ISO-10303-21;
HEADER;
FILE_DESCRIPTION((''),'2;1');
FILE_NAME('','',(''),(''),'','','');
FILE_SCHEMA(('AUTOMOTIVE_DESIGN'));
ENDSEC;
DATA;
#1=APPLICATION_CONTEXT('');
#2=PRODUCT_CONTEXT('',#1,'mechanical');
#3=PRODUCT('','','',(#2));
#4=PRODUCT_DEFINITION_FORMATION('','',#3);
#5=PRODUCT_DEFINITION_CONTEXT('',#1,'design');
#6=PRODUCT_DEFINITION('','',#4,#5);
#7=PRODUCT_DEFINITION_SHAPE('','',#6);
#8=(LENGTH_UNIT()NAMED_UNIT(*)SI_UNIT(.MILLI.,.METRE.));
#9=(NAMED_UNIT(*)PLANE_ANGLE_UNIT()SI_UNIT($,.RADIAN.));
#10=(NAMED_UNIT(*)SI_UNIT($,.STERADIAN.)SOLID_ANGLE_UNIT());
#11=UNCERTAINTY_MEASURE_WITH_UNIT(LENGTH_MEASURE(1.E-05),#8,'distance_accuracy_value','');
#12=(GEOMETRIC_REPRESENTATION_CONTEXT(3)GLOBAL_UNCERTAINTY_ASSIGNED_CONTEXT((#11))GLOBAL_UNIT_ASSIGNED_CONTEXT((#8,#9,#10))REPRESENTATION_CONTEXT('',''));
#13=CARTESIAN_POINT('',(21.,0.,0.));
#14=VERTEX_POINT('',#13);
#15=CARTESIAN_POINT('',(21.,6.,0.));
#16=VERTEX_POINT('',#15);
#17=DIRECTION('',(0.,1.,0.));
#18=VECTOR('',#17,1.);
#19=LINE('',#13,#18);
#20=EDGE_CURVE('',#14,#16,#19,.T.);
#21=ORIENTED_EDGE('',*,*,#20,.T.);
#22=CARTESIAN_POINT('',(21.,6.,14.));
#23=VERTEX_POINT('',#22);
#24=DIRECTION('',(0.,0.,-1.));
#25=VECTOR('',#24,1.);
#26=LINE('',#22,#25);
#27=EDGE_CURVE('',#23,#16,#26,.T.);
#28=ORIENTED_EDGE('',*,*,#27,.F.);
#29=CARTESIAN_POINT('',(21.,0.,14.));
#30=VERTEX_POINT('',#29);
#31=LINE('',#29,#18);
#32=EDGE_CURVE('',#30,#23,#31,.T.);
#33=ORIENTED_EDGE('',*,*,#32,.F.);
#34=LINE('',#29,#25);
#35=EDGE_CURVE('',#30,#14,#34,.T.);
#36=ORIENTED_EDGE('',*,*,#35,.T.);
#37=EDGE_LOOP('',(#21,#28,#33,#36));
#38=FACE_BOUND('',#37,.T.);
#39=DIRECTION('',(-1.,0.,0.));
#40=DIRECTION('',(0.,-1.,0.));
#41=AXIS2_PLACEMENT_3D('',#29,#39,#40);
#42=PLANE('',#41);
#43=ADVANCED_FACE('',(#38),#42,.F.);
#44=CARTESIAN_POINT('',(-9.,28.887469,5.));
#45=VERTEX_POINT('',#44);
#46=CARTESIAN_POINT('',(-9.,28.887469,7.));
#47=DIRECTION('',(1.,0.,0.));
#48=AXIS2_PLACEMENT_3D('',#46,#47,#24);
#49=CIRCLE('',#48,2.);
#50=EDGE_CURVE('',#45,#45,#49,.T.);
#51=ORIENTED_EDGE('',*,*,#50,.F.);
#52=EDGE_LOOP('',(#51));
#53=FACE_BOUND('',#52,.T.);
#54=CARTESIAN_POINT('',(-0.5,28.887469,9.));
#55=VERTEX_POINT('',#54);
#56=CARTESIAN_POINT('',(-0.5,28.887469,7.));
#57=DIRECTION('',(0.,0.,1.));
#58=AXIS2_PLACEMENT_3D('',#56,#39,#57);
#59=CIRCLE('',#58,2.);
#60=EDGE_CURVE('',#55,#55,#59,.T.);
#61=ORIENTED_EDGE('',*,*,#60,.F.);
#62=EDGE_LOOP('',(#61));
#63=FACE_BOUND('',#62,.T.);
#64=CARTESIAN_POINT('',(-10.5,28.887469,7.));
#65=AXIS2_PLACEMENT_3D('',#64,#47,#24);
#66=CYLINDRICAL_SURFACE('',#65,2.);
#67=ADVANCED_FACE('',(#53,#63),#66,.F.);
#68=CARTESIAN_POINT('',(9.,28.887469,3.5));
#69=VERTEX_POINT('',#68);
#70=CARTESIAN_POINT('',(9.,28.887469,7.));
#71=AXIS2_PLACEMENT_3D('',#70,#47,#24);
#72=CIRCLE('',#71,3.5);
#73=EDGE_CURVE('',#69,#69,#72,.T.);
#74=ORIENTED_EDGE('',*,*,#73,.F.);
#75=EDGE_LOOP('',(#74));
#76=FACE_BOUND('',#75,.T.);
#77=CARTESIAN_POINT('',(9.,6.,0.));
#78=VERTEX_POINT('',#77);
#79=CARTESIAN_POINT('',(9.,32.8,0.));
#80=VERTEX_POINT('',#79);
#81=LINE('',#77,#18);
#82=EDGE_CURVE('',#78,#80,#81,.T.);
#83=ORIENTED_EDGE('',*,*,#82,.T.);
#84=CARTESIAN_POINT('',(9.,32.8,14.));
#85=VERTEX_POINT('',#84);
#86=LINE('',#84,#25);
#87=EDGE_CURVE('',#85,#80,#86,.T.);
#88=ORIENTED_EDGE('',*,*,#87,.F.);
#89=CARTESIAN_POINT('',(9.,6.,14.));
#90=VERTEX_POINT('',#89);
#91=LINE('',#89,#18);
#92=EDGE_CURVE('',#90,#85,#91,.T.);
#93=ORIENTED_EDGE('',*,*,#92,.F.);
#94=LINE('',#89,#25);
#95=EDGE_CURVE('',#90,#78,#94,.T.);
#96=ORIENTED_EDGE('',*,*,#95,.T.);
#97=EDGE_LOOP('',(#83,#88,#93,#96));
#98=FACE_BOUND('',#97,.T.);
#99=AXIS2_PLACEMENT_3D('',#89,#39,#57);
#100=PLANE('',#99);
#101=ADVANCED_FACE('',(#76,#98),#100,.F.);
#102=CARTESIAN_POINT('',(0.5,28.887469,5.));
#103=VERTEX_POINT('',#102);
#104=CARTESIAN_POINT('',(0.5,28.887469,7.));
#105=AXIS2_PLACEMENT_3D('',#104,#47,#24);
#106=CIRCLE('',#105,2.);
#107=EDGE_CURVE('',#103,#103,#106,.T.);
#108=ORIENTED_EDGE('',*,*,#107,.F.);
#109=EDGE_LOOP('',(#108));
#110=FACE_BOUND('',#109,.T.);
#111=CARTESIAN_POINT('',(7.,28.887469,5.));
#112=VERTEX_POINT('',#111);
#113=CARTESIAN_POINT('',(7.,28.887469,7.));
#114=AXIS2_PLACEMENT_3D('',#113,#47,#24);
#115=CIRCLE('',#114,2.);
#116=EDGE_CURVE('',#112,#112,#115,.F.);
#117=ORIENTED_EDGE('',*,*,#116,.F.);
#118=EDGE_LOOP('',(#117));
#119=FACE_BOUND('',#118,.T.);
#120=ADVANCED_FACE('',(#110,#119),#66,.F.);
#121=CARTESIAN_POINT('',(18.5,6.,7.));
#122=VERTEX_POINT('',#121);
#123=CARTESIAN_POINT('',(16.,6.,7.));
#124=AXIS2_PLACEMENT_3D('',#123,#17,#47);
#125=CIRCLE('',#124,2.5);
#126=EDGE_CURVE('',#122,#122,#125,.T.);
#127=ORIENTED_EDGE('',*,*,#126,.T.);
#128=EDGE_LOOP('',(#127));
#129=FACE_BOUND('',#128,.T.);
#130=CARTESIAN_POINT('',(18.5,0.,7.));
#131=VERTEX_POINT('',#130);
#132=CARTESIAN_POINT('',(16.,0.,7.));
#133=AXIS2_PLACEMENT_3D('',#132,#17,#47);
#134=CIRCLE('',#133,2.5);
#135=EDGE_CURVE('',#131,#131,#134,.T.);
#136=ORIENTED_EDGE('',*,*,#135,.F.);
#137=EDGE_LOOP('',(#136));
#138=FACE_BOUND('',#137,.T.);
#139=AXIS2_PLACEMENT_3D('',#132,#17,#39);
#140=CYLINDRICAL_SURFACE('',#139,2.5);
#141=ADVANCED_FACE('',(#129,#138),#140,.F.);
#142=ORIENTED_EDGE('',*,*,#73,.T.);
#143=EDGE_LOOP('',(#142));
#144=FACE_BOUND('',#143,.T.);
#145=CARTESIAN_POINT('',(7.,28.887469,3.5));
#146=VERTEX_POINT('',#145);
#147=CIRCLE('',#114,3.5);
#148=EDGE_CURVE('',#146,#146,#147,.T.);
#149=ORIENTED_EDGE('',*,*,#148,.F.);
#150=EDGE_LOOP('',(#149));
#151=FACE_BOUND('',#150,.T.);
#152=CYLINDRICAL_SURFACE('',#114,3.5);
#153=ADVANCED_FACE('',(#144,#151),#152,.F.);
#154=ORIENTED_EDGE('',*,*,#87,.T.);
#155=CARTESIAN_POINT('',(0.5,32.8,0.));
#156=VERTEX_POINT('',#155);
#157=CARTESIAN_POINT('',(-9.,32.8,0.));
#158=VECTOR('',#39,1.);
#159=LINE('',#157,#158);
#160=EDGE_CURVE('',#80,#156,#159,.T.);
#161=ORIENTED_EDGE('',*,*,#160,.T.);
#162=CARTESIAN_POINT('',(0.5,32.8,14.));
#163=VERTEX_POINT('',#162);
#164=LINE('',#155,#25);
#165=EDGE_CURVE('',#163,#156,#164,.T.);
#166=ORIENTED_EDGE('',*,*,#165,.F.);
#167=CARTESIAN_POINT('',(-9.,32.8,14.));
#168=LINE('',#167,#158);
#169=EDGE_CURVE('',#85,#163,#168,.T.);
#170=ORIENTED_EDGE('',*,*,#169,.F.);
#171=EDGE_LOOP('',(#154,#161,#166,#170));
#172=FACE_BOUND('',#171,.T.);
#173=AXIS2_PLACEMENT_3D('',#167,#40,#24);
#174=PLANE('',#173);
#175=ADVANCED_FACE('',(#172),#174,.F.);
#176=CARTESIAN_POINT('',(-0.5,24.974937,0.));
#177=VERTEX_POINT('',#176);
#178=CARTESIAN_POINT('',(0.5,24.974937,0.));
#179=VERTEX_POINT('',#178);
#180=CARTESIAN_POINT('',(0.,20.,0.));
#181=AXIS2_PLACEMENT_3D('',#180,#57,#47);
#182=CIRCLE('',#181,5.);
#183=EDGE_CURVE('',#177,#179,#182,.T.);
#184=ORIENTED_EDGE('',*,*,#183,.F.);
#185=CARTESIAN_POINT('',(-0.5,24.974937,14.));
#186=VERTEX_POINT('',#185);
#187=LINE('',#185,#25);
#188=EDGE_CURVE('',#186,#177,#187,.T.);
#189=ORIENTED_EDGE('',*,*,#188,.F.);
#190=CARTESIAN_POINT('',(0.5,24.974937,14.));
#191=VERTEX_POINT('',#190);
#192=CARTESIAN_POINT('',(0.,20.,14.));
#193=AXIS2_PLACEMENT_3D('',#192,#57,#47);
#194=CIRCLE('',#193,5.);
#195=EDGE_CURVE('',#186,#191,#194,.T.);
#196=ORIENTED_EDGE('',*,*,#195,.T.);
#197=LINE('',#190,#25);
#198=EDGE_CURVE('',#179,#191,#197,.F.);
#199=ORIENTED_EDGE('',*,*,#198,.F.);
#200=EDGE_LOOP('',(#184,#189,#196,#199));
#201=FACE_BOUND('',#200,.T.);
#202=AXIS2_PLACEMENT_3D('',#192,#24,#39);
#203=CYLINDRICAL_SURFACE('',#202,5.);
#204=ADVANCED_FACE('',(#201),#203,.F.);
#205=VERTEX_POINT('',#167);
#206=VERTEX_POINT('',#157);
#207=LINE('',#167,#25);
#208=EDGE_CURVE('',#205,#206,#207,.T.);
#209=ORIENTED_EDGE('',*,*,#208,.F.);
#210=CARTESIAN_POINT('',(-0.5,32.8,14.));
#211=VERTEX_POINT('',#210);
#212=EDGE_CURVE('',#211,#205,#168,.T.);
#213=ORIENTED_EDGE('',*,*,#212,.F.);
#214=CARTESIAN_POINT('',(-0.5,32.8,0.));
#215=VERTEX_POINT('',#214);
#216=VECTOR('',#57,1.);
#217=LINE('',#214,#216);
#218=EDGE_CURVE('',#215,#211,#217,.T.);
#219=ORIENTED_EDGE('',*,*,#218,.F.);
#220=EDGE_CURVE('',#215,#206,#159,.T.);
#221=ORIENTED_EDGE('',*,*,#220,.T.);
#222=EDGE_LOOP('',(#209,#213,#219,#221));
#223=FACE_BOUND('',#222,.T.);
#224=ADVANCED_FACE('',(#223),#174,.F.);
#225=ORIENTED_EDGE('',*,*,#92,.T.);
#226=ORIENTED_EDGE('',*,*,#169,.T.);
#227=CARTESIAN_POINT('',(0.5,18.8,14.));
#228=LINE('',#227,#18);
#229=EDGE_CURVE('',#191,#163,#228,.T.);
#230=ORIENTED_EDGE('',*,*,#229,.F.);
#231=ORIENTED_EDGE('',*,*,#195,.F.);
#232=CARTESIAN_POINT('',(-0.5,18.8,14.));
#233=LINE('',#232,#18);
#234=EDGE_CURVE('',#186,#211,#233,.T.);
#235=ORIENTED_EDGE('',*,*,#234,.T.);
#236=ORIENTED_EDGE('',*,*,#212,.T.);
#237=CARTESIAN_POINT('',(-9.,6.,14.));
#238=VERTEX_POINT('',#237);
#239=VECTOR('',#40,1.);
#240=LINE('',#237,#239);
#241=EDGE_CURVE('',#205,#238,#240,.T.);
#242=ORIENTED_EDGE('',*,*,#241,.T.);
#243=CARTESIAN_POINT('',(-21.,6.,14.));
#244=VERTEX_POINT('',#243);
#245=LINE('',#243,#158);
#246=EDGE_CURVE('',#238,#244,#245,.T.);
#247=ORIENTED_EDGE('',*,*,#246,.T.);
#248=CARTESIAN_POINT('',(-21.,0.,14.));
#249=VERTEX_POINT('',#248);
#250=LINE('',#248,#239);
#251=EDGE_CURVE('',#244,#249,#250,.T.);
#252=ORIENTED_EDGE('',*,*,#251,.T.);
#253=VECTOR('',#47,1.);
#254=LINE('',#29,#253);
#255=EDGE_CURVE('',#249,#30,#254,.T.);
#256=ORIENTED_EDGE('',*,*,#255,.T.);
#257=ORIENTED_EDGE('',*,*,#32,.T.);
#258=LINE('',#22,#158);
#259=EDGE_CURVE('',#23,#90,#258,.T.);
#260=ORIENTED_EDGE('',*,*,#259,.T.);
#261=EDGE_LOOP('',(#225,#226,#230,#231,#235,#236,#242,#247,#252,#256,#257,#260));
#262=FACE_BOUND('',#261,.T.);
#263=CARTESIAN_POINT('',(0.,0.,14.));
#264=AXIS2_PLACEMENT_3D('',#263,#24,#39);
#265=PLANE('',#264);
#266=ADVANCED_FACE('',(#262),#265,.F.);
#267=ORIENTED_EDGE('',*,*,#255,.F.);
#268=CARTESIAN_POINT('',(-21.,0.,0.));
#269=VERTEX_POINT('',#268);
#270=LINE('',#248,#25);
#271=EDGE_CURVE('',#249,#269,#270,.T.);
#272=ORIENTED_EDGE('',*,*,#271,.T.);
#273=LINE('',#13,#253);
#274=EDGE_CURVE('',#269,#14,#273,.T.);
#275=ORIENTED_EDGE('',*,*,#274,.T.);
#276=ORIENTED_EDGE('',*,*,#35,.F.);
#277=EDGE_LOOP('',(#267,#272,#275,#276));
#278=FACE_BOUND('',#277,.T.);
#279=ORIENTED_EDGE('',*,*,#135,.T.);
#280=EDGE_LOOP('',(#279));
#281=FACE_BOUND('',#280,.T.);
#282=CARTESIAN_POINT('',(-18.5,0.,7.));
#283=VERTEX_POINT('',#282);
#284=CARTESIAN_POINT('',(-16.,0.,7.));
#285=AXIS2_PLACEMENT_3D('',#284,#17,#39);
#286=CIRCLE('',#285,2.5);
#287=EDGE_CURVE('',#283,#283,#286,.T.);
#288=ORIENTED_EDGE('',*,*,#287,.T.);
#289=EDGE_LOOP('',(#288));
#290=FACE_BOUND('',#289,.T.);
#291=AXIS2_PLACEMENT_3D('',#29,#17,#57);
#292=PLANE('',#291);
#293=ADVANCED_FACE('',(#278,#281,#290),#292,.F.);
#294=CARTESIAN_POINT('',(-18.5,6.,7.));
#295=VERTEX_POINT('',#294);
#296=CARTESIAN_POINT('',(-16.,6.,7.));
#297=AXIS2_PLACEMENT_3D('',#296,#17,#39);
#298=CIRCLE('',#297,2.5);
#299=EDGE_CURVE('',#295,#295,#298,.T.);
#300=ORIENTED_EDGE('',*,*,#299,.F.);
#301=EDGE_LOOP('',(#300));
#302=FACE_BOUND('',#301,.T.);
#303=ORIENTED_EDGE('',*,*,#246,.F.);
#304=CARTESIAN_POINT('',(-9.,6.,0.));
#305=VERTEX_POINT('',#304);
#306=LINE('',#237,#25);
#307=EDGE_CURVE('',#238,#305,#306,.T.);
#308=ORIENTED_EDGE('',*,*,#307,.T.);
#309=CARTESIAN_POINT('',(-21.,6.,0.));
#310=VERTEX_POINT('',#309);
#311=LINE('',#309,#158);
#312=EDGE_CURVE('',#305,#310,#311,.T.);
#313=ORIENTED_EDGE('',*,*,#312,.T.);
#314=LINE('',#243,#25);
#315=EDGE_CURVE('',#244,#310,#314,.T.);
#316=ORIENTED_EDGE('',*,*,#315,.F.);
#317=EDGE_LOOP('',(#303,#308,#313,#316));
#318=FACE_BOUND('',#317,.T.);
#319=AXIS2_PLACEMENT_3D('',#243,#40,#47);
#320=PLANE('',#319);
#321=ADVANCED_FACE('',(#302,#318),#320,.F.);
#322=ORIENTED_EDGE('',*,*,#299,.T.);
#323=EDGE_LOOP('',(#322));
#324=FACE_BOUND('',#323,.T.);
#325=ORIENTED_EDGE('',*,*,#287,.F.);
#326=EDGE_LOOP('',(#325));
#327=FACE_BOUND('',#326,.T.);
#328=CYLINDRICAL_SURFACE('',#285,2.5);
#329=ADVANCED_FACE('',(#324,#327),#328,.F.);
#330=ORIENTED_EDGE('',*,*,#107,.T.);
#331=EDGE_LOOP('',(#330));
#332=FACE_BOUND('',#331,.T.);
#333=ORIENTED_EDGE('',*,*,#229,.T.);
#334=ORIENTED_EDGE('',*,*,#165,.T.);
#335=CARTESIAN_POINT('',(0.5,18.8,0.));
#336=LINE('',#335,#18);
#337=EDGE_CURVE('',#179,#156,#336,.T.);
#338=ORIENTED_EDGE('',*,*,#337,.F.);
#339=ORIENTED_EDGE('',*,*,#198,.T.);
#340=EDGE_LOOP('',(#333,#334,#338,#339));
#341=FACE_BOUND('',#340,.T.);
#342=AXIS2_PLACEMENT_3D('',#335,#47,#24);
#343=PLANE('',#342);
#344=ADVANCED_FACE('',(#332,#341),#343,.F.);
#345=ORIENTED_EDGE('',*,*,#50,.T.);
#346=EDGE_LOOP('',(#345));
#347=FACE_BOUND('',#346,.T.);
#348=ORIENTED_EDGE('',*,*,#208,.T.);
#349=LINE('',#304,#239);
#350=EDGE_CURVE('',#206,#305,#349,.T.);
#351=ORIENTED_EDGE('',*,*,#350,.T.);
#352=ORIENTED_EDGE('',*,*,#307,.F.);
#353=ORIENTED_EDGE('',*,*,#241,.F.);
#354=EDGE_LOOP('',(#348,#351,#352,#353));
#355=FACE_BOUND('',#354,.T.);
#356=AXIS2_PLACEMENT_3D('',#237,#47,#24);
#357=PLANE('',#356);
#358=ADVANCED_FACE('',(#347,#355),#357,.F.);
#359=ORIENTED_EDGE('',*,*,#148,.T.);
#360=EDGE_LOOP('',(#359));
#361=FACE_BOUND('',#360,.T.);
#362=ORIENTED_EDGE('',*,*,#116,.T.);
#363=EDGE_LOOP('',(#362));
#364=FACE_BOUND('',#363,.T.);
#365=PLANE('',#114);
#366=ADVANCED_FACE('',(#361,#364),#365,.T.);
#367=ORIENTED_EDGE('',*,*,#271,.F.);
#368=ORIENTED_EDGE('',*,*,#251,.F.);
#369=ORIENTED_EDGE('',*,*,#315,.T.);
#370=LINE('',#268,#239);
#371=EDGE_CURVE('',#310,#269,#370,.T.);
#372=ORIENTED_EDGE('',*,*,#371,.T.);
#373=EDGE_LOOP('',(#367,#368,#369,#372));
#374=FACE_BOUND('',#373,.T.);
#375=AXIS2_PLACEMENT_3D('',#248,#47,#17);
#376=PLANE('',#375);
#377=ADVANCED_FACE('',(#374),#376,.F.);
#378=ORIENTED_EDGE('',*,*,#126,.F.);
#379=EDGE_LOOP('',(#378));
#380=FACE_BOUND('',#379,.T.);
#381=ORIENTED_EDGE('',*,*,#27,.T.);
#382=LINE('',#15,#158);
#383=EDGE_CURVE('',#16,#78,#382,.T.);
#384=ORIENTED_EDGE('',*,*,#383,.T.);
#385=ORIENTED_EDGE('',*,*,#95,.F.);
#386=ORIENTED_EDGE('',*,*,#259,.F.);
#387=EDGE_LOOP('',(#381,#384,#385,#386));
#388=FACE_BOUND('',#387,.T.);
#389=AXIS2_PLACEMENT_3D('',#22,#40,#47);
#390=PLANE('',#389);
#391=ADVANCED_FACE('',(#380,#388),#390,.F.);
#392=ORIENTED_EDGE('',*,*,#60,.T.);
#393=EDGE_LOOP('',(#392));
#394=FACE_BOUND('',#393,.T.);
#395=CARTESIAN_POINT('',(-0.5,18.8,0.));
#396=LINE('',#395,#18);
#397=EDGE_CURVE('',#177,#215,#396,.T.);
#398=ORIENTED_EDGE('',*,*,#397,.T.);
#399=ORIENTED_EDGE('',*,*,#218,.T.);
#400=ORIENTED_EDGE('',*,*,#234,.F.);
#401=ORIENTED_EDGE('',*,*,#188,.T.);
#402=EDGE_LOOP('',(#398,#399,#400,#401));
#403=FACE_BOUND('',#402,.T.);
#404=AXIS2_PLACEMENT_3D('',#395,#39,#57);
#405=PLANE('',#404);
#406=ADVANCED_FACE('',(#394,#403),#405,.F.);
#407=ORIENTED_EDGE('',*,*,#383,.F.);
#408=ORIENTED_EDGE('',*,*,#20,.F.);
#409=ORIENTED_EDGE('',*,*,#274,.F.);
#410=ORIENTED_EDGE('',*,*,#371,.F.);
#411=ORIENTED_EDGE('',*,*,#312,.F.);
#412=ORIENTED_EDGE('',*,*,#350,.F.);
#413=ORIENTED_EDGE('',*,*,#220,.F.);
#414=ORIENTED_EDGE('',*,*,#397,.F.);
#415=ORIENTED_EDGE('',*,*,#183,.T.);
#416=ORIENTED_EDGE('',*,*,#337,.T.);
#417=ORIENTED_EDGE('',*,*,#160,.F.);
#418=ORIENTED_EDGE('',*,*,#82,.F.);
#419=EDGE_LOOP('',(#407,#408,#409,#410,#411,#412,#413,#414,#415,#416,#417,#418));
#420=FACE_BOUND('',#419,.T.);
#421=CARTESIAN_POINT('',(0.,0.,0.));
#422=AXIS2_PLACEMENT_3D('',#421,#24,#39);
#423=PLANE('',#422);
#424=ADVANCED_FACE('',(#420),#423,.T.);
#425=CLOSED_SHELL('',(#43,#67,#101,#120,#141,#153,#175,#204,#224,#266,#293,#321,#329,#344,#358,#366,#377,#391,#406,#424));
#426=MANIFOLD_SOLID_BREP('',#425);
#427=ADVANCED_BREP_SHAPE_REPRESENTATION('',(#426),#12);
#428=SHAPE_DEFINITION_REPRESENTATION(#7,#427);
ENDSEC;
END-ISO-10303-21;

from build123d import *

# Parameters (mm, degrees)
SKETCH_1_R          = 5
EXTRUDE_1_DEPTH     = 14
SKETCH_2_R          = 2.5
CUT_EXTRUDE_1_DEPTH = 7
SKETCH_3_W          = 1
SKETCH_3_H          = 14
CUT_EXTRUDE_2_DEPTH = 14
SKETCH_4_R          = 2
CUT_EXTRUDE_3_DEPTH = 10
SKETCH_5_R          = 3.5
CUT_EXTRUDE_4_DEPTH = 2


with BuildPart() as part:
    # 草图1 → 凸台-拉伸1 (new body)
    with BuildSketch(Plane.XY):
        Polygon((21, 0), (-21, 0), (-21, 6), (-9, 6), (-9, 32.8), (9, 32.8), (9, 6), (21, 6), align=None)
        with Locations((0, 20)):
            Circle(SKETCH_1_R, mode=Mode.SUBTRACT)
    extrude(amount=EXTRUDE_1_DEPTH)

    # 草图2 → 切除-拉伸1 (cut, through all)
    with BuildSketch(Plane(origin=(0, 6, 0), x_dir=(1, 0, 0), z_dir=(0, 1, 0))):
        with Locations((-16, -7)):
            Circle(SKETCH_2_R)
        with Locations((16, -7)):
            Circle(SKETCH_2_R)
    extrude(amount=-CUT_EXTRUDE_1_DEPTH, mode=Mode.SUBTRACT)

    # 草图3 → 切除-拉伸2 (cut)
    with BuildSketch(Plane(origin=(0, 32.8, 0), x_dir=(1, 0, 0), z_dir=(0, 1, 0))):
        with Locations((0, -7)):
            Rectangle(SKETCH_3_W, SKETCH_3_H)
    extrude(amount=-CUT_EXTRUDE_2_DEPTH, mode=Mode.SUBTRACT)

    # 草图4 → 切除-拉伸3 (cut, symmetric)
    with BuildSketch(Plane(origin=(-0.5, 0, 0), x_dir=(0, 0, -1), z_dir=(1, 0, 0))):
        with Locations((-7, 28.887468593)):
            Circle(SKETCH_4_R)
    extrude(amount=CUT_EXTRUDE_3_DEPTH, both=True, mode=Mode.SUBTRACT)

    # 草图5 → 切除-拉伸4 (cut)
    with BuildSketch(Plane(origin=(9, 0, 0), x_dir=(0, 0, -1), z_dir=(1, 0, 0))):
        with Locations((-7, 28.887468593)):
            Circle(SKETCH_5_R)
    extrude(amount=-CUT_EXTRUDE_4_DEPTH, mode=Mode.SUBTRACT)


solid = part.part
